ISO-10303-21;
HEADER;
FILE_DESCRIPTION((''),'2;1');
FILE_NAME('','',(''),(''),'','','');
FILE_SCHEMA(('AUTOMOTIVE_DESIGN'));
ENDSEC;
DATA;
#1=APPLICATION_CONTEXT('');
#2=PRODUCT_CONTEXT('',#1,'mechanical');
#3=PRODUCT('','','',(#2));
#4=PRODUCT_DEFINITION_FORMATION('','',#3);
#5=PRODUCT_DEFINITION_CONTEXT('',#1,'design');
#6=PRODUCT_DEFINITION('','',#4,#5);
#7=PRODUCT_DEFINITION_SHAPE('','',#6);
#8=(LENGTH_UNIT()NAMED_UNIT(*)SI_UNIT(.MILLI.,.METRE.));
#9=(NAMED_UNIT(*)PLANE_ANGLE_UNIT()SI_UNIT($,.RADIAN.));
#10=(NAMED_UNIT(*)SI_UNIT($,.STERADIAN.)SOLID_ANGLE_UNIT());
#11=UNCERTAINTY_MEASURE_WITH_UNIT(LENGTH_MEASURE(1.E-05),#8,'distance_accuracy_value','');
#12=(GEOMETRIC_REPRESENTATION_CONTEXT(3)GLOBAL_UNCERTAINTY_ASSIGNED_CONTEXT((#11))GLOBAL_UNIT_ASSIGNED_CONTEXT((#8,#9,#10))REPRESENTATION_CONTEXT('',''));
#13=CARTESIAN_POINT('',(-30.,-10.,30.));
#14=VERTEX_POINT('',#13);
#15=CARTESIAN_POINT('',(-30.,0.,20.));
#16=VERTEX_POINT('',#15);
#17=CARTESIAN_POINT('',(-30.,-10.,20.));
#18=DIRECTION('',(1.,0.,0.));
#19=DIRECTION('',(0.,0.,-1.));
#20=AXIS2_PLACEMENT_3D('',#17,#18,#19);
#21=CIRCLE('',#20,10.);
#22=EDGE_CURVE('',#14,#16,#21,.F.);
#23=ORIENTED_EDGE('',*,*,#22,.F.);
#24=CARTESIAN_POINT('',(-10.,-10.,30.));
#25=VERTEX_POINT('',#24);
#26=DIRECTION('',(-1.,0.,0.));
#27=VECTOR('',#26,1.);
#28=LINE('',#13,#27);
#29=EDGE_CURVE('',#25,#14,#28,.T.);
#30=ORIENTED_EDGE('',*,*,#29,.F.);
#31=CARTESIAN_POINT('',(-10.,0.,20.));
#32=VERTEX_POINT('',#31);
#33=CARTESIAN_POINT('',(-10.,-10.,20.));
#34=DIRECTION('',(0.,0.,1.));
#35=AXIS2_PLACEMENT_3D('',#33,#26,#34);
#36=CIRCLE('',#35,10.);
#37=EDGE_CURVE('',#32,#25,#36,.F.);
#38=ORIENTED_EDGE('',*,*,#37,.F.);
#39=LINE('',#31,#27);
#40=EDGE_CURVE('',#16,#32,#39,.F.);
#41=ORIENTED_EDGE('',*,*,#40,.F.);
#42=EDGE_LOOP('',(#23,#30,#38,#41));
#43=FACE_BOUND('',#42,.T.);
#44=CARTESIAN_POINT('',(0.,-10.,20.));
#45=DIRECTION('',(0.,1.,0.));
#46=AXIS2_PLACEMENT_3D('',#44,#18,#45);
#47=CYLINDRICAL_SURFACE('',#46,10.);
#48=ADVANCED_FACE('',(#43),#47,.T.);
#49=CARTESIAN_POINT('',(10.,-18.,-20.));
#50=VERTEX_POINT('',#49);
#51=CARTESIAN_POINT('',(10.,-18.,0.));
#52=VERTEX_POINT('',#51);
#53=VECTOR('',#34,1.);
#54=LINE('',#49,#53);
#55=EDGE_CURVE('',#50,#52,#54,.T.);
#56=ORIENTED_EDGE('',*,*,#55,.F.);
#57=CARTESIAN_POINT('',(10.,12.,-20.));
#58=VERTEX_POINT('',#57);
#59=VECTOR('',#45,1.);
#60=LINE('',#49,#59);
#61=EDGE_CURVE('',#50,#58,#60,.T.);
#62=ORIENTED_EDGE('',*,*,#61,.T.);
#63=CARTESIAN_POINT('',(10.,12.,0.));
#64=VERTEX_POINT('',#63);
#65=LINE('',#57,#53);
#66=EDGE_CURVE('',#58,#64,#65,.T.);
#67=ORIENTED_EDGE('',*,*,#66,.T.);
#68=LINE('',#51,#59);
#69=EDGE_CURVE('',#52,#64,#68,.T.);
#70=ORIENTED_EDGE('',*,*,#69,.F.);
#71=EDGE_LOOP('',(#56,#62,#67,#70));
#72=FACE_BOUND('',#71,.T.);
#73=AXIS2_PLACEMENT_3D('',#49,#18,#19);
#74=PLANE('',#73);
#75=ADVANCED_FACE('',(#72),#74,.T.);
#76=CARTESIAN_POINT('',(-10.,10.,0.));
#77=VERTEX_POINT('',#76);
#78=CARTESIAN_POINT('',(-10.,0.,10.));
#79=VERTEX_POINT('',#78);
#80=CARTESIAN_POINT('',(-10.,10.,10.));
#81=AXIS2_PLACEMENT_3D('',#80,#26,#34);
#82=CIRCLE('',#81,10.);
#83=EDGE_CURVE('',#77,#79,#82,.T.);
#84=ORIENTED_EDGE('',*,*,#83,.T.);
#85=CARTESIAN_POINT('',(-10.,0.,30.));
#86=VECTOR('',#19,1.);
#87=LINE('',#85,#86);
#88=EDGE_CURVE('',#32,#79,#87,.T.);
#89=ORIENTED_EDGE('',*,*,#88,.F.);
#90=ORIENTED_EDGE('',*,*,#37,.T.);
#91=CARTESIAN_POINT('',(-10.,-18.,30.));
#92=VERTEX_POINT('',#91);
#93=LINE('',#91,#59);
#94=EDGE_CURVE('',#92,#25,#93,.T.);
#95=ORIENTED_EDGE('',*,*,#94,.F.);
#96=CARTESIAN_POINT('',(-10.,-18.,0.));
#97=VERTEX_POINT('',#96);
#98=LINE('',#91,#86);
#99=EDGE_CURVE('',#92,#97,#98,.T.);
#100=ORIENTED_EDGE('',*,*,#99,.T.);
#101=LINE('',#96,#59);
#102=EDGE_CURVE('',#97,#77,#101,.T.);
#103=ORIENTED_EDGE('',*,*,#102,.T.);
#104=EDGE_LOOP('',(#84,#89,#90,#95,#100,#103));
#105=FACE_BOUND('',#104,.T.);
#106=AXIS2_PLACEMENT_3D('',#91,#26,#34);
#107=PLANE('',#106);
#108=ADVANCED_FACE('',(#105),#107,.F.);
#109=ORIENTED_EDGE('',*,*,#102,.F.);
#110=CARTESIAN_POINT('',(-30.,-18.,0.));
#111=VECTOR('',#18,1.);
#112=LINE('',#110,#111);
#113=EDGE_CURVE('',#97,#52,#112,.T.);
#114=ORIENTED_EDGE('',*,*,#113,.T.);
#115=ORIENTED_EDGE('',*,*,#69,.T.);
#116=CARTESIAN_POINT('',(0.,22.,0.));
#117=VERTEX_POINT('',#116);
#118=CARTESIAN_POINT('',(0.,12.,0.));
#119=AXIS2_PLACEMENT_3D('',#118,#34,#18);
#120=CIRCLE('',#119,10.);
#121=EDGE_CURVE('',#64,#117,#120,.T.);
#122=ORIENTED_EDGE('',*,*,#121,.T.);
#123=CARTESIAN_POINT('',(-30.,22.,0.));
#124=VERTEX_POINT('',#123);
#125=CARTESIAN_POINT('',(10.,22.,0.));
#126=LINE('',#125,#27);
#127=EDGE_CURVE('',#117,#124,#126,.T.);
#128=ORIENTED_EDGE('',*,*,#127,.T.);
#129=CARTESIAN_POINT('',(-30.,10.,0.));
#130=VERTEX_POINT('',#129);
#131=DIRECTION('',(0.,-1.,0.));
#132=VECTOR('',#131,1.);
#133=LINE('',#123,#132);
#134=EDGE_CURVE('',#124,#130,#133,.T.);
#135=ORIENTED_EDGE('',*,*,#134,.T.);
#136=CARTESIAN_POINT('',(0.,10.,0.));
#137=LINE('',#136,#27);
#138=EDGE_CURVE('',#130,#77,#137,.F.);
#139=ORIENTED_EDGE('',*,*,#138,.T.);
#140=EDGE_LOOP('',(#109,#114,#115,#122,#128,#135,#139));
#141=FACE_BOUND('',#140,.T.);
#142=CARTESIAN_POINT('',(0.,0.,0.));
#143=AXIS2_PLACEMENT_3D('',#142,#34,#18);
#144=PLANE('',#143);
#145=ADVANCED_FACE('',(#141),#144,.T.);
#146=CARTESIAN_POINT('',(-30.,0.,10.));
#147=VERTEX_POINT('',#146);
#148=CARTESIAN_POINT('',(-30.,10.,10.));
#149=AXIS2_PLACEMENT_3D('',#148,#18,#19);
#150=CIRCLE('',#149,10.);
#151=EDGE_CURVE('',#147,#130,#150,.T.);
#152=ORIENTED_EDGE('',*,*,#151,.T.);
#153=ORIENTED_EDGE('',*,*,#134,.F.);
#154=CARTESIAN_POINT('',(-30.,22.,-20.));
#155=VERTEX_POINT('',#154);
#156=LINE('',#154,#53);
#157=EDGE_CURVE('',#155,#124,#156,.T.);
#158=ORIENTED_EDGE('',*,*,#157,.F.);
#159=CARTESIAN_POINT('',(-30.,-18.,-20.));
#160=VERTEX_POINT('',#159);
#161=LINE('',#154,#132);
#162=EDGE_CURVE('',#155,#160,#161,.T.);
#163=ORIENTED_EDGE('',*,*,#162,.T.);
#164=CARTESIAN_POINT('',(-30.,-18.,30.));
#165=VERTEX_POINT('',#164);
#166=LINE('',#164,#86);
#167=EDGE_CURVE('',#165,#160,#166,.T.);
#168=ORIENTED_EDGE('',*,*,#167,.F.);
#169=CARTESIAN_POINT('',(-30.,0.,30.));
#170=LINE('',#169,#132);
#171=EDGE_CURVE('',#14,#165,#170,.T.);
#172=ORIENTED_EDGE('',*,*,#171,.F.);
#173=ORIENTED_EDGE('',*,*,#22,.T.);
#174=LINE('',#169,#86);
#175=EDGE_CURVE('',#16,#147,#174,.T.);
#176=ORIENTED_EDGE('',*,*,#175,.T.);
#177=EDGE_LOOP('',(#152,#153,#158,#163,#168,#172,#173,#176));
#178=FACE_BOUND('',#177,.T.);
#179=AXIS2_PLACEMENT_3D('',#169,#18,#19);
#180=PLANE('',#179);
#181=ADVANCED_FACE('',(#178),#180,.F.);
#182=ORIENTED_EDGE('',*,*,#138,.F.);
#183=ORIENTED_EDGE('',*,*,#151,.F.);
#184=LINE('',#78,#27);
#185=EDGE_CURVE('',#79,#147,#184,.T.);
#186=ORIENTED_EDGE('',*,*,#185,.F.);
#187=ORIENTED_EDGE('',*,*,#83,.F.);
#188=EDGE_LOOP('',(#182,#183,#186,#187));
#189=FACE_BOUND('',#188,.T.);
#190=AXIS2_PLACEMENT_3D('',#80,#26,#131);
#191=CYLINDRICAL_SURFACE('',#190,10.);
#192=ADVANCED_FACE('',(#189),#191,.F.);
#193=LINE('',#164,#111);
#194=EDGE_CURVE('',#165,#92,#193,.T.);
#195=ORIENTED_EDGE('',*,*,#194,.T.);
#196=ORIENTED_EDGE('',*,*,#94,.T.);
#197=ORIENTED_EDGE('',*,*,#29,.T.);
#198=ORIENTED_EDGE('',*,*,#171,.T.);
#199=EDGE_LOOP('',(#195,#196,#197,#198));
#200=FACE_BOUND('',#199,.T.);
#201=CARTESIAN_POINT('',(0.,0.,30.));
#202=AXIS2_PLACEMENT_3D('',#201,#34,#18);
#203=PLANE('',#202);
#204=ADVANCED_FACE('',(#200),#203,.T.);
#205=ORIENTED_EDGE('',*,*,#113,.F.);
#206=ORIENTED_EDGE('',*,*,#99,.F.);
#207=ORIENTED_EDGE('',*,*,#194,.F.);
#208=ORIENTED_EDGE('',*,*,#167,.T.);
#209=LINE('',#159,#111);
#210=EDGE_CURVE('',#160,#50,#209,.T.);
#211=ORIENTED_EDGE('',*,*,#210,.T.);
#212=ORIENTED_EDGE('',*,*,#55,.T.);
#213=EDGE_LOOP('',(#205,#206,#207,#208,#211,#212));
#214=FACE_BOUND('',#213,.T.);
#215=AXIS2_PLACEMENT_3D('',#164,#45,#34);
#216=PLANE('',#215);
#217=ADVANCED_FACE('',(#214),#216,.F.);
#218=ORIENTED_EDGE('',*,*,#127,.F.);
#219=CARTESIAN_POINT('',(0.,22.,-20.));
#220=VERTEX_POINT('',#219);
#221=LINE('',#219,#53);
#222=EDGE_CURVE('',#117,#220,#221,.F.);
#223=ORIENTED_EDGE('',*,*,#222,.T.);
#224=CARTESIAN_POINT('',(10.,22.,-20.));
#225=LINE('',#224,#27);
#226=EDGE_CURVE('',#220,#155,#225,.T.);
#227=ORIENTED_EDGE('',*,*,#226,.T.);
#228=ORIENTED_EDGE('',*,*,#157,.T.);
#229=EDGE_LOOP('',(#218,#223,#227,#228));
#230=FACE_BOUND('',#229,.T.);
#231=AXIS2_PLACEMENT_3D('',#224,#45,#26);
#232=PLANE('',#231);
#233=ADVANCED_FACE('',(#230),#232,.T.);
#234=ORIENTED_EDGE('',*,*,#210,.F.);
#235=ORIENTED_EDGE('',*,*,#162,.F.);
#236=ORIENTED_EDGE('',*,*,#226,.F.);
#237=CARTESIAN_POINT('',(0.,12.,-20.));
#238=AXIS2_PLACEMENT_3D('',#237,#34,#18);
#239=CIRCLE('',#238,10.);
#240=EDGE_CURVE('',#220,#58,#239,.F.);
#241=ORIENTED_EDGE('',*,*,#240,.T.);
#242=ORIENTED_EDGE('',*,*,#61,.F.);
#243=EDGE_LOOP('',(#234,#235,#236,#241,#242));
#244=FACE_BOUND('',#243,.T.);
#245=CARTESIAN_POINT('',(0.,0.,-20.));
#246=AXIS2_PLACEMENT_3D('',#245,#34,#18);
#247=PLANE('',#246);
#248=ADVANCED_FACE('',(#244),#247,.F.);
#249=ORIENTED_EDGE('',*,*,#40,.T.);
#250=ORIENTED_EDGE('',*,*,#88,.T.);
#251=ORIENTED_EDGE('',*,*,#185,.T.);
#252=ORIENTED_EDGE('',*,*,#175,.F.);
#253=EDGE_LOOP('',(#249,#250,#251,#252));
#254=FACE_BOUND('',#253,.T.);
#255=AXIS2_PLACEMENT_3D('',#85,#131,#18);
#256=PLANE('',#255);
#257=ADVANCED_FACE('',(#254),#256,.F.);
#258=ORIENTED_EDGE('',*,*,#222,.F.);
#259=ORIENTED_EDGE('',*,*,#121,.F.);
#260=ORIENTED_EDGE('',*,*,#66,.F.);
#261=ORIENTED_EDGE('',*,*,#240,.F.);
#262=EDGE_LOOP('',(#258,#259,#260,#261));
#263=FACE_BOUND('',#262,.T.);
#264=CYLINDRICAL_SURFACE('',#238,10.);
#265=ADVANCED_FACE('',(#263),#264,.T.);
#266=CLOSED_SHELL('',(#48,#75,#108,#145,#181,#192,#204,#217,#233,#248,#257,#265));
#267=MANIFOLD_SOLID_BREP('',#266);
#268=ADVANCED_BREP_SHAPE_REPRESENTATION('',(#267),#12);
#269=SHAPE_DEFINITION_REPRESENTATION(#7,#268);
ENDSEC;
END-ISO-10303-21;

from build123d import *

# Parameters (mm, degrees)
SKETCH1_W           = 20
SKETCH1_H           = 18
BOSS_EXTRUDE1_DEPTH = 30
SKETCH2_W           = 40
SKETCH2_H           = 40
BOSS_EXTRUDE2_DEPTH = 20
FILLET1_R           = 10


with BuildPart() as part:
    # Sketch1 → Boss-Extrude1 (new body)
    with BuildSketch(Plane.XY):
        with Locations((-20, -9)):
            Rectangle(SKETCH1_W, SKETCH1_H)
    extrude(amount=BOSS_EXTRUDE1_DEPTH)

    # Sketch2 → Boss-Extrude2 (add)
    with BuildSketch(Plane.XY):
        with Locations((-10, 2)):
            Rectangle(SKETCH2_W, SKETCH2_H)
    extrude(amount=-BOSS_EXTRUDE2_DEPTH)

    # Fillet1
    fillet1_edges = [part.edges().sort_by_distance(p)[0] for p in [
        (10, 22, -10),
        (-20, 0, 30),
        (-20, 0, 0),
    ]]
    fillet(fillet1_edges, radius=FILLET1_R)


solid = part.part
